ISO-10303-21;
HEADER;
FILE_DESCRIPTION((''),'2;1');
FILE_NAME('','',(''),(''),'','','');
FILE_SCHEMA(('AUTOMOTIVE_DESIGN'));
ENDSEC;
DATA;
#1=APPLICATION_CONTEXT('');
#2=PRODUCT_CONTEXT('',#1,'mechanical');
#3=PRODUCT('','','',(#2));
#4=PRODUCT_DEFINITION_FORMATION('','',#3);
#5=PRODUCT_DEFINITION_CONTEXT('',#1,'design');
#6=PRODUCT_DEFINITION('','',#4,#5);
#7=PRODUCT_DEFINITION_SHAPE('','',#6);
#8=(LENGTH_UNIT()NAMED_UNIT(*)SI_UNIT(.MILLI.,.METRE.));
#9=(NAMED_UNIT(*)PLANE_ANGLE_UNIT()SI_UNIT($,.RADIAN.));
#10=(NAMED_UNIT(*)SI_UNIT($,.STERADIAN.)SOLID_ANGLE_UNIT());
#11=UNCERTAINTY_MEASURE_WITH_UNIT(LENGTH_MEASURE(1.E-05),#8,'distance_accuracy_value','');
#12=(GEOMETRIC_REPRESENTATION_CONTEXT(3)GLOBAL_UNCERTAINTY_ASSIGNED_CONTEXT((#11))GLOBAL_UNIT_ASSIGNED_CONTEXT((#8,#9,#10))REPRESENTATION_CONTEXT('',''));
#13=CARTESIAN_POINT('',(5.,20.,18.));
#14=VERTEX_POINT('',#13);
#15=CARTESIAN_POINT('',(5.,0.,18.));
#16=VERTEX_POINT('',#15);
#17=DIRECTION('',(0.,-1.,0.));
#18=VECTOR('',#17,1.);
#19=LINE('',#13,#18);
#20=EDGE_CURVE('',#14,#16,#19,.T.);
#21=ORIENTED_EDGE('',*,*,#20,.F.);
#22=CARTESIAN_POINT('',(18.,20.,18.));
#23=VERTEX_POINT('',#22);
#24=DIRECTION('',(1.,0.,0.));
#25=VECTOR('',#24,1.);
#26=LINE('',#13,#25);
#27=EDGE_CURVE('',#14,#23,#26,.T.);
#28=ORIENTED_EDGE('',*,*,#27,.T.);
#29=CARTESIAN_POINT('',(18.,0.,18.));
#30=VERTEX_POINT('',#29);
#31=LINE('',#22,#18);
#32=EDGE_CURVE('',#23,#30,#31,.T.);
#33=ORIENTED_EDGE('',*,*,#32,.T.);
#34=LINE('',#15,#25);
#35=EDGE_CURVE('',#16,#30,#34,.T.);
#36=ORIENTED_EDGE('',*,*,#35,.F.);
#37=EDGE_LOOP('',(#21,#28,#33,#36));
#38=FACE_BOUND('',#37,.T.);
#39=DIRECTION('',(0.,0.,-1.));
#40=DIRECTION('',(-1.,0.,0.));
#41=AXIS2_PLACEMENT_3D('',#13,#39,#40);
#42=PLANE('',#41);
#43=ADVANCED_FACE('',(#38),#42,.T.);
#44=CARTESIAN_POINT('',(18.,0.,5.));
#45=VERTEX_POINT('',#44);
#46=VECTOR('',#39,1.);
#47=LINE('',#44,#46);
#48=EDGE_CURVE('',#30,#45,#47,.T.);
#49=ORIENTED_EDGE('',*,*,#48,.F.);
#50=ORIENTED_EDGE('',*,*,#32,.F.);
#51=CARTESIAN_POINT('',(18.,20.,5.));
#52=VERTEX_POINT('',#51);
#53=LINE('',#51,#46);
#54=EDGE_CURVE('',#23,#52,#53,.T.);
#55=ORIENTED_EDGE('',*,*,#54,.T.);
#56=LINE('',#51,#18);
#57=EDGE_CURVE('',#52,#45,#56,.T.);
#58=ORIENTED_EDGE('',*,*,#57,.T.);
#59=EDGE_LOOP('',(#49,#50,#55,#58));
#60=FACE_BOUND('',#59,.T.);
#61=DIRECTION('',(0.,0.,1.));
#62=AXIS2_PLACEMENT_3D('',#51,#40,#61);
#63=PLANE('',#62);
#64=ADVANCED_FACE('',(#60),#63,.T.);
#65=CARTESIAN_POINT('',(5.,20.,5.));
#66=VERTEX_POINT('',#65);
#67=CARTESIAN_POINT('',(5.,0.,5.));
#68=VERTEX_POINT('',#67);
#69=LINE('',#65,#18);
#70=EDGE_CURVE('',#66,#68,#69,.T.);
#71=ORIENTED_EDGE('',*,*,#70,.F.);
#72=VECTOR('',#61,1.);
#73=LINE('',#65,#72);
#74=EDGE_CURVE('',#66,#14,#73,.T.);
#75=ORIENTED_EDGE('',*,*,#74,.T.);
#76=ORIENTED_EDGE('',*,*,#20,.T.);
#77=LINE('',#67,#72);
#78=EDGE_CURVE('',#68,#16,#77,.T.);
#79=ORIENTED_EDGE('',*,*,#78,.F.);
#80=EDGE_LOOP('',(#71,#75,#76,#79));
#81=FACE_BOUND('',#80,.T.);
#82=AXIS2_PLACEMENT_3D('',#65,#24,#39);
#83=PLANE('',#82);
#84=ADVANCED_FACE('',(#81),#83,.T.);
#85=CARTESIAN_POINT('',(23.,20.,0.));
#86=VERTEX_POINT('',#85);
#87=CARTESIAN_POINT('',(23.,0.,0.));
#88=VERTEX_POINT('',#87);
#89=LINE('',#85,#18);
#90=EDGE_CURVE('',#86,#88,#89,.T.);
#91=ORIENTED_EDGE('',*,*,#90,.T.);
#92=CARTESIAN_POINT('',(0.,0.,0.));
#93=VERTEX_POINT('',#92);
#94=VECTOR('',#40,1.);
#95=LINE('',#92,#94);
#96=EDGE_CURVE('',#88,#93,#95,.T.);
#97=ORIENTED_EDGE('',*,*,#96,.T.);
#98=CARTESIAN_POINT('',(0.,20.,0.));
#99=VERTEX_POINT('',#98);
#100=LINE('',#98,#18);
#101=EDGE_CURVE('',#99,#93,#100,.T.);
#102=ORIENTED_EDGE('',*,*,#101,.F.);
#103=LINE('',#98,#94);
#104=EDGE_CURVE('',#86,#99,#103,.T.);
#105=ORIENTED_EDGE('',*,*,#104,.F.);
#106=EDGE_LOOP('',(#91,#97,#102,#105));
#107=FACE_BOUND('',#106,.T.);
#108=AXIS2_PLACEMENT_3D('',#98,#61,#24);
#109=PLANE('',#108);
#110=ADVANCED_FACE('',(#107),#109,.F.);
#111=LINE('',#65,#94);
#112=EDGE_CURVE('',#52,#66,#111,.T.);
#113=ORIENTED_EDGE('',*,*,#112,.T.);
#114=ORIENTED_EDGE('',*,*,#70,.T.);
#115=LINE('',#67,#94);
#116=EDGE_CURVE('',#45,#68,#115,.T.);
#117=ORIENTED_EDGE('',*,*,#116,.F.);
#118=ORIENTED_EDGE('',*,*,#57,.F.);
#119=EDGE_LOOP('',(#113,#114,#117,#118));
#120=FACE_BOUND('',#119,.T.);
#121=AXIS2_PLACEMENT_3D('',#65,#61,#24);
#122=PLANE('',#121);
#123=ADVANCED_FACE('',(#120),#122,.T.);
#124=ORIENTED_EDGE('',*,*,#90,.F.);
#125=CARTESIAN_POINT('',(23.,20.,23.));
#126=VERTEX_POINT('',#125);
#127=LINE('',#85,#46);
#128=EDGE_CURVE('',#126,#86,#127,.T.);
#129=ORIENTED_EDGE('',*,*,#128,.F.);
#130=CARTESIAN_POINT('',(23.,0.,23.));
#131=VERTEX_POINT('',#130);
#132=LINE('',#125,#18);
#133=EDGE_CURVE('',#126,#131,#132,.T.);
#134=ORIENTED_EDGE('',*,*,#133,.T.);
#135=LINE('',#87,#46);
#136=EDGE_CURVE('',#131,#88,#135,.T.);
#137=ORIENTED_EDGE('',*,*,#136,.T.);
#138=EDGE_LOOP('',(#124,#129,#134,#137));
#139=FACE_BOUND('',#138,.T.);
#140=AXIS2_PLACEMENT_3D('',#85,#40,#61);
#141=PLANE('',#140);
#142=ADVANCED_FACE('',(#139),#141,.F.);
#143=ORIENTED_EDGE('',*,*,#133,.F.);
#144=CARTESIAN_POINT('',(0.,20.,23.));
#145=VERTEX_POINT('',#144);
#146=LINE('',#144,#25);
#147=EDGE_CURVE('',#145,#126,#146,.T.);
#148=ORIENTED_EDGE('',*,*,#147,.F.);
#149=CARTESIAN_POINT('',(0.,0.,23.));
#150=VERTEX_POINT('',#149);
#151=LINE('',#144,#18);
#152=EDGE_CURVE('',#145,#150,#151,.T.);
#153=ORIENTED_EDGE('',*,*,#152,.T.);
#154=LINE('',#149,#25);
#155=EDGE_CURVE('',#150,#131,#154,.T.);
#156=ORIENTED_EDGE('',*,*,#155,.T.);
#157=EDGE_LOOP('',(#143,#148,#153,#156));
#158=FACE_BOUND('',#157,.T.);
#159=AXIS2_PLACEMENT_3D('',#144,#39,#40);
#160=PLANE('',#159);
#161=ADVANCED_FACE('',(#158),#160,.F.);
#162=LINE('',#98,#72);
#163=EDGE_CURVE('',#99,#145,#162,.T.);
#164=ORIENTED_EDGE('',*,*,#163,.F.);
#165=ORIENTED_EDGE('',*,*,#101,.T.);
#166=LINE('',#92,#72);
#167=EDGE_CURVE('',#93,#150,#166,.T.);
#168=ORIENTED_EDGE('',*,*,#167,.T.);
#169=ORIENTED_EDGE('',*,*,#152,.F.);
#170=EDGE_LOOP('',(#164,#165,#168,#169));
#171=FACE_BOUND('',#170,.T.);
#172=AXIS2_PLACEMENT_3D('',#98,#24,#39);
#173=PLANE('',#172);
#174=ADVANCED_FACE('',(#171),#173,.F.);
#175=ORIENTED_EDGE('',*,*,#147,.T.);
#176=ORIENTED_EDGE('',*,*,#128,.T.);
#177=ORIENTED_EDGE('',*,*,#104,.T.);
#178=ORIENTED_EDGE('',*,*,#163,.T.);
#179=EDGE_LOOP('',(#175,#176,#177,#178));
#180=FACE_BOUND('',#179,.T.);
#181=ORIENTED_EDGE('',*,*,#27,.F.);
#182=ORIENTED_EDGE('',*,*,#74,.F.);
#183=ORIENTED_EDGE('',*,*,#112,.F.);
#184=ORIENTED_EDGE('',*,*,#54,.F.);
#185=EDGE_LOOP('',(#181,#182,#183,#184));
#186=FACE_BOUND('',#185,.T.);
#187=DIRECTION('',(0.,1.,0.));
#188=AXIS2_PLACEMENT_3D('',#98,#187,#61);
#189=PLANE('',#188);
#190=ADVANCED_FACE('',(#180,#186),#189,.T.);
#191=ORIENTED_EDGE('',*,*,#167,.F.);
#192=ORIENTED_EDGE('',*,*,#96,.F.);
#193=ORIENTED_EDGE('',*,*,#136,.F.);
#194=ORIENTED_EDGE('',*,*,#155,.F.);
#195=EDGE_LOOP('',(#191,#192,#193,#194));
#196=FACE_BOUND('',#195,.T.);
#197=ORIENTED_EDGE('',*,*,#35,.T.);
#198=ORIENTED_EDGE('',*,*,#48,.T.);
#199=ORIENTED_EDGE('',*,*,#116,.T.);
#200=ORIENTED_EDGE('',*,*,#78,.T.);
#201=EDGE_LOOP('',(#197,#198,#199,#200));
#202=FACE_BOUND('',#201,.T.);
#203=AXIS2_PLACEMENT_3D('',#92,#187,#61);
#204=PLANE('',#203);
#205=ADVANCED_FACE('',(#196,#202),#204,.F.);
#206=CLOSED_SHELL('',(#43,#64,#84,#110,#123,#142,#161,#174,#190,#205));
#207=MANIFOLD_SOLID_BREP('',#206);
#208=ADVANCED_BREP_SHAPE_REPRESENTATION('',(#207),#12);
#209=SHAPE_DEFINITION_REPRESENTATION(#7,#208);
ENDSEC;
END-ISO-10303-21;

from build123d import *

# Parameters (mm, degrees)
SKETCH_3_W      = 23
SKETCH_3_H      = 23
SKETCH_3_W_2    = 13
SKETCH_3_H_2    = 13
EXTRUDE_3_DEPTH = 20


with BuildPart() as part:
    # 草图3 → 凸台-拉伸3 (new body)
    with BuildSketch(Plane(origin=(0, 0, 0), x_dir=(1, 0, 0), z_dir=(0, 1, 0))):
        with Locations((11.5, -11.5)):
            Rectangle(SKETCH_3_W, SKETCH_3_H)
        with Locations((11.5, -11.5)):
            Rectangle(SKETCH_3_W_2, SKETCH_3_H_2, mode=Mode.SUBTRACT)
    extrude(amount=EXTRUDE_3_DEPTH)


solid = part.part
